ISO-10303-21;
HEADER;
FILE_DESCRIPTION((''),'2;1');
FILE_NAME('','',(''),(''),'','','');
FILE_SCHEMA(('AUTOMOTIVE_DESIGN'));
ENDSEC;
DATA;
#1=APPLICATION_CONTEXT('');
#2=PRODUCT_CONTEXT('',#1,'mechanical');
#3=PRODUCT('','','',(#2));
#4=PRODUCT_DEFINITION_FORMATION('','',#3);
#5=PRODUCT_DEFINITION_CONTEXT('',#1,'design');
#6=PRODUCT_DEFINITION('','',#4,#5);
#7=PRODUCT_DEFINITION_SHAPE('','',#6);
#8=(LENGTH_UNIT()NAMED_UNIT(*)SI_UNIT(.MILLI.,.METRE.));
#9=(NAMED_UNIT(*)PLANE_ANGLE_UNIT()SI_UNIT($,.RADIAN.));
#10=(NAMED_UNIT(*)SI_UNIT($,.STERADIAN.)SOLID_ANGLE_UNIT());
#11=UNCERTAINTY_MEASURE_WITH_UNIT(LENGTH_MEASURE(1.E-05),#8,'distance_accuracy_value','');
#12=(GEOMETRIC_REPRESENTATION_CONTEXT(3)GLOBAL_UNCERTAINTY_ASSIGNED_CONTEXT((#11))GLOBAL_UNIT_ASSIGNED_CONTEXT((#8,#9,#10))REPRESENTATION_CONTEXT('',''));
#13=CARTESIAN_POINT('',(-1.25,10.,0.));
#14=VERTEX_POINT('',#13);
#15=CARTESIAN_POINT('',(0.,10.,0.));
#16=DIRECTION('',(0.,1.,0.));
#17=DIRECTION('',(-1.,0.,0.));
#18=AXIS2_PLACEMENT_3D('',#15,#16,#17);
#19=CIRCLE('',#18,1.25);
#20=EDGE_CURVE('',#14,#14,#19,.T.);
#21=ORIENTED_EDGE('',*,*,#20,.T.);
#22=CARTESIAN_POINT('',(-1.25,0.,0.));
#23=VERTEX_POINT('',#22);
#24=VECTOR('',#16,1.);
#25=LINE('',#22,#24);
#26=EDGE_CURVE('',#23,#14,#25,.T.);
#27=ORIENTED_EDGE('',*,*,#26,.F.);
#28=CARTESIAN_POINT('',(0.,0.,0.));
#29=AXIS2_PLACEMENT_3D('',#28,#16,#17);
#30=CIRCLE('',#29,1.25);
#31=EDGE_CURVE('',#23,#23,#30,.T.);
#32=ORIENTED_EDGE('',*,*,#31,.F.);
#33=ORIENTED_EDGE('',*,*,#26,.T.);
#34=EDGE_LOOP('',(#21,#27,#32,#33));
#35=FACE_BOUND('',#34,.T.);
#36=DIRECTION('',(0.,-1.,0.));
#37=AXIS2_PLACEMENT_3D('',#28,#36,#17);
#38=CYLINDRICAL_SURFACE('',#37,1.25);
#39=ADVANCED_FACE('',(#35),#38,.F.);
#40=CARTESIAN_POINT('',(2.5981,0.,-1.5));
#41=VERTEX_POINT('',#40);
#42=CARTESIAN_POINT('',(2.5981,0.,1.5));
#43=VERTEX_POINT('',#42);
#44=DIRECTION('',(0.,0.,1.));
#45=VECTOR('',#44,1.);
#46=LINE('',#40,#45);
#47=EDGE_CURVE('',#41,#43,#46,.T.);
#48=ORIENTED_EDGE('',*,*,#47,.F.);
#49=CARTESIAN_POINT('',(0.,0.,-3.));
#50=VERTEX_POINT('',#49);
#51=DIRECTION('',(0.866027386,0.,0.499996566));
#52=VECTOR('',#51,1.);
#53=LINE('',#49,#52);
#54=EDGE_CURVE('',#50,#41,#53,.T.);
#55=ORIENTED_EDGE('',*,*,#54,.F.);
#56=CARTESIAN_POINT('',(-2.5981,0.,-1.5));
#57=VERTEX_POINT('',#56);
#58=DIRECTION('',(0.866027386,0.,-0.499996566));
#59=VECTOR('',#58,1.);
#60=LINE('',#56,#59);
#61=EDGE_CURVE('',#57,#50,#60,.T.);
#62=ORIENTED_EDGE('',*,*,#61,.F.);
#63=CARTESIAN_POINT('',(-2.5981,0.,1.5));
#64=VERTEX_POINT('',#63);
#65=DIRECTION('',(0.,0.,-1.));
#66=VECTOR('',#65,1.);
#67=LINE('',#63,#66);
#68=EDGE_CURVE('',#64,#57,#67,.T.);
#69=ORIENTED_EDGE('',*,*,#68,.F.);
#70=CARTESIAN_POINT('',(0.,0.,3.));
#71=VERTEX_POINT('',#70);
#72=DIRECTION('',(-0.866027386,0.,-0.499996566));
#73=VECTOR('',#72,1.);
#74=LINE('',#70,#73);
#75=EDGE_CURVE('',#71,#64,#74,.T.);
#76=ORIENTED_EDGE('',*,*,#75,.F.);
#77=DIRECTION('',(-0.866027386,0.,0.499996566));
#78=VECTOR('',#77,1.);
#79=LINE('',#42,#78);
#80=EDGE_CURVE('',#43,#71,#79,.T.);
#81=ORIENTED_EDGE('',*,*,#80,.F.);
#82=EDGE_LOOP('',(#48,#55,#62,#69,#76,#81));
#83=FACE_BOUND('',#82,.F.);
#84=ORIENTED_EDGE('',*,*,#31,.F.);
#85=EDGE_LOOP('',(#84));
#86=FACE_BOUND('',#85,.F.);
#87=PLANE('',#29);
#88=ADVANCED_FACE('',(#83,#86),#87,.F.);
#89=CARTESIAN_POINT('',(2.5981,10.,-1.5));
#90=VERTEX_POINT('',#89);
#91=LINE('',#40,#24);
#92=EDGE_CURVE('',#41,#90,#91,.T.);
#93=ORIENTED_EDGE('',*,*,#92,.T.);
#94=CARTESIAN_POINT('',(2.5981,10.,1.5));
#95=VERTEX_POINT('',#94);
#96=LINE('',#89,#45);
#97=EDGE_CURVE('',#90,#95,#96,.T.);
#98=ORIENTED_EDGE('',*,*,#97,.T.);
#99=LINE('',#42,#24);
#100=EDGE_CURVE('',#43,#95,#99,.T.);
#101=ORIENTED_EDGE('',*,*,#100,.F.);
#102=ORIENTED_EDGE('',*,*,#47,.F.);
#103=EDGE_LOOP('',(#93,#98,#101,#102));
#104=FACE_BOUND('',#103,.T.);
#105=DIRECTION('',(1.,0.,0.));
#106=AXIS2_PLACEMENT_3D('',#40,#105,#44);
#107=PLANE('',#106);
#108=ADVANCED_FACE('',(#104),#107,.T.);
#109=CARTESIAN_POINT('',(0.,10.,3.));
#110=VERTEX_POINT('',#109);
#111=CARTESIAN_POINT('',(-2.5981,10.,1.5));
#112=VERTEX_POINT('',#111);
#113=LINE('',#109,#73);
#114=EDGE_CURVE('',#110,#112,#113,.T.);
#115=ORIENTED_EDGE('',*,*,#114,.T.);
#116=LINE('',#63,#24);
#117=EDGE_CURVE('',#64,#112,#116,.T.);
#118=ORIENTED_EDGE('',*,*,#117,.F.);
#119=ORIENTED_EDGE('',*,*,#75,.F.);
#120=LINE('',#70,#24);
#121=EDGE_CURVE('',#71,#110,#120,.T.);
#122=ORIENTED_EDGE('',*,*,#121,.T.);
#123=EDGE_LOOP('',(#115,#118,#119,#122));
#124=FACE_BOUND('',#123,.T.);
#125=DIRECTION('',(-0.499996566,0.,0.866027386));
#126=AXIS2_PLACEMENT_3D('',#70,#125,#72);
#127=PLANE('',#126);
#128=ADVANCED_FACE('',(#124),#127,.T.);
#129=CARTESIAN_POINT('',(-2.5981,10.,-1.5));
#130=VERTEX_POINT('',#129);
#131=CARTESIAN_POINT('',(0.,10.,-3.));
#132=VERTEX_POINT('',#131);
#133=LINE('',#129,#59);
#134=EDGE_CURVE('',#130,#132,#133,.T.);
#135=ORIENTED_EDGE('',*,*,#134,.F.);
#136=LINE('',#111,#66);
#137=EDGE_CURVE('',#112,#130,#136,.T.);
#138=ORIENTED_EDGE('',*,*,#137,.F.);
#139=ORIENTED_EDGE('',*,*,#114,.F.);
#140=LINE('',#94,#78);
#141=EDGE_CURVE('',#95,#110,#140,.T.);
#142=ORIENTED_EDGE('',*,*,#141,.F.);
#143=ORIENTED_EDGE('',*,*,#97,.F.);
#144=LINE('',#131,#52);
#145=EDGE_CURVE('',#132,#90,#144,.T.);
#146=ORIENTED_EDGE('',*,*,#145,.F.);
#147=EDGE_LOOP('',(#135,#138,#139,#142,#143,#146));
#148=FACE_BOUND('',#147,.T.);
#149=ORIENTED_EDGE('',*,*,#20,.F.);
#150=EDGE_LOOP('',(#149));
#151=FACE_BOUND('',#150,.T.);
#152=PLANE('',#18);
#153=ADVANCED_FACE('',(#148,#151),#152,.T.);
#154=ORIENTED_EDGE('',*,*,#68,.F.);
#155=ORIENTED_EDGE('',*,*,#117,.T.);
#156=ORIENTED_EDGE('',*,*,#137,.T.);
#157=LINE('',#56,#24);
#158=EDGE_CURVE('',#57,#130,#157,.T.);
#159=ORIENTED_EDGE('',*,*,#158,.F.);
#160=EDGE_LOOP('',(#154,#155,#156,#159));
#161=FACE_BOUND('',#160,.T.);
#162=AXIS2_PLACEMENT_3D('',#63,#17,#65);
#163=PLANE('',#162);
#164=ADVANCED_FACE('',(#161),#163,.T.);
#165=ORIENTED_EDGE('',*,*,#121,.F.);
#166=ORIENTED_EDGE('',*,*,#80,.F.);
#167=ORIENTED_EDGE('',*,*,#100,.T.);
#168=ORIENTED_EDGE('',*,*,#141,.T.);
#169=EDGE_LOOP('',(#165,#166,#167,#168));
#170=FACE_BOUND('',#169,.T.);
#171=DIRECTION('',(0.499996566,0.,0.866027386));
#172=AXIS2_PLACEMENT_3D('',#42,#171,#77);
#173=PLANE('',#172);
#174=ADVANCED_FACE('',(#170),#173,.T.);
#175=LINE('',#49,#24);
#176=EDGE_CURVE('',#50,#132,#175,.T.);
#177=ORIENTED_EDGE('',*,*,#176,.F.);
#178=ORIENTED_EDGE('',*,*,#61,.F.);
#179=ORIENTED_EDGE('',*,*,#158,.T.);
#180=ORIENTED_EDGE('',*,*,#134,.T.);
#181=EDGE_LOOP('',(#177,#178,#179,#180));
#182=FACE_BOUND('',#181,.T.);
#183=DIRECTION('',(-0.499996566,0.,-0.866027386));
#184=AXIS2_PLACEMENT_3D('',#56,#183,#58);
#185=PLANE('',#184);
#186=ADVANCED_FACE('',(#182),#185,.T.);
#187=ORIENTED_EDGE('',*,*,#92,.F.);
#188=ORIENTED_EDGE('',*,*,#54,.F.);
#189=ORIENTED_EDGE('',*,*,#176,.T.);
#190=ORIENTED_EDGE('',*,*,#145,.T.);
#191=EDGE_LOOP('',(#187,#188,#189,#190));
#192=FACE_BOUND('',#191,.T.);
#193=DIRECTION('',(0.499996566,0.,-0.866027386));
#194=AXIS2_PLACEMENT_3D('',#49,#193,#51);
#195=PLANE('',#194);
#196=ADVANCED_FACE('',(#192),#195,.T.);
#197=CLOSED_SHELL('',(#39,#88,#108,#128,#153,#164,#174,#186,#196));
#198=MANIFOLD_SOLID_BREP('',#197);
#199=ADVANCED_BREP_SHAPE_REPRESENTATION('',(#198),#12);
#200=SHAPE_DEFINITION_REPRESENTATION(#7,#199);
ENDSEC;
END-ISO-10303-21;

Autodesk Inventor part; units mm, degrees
ref_plane "YZ Plane" through (0, 0, 0) normal (1, 0, 0) x (0, 1, 0)
ref_plane "XZ Plane" through (0, 0, 0) normal (0, 1, 0) x (-1, 0, 0)
ref_plane "XY Plane" through (0, 0, 0) normal (0, 0, 1) x (1, 0, 0)
sketch "Sketch1" plane through (0, 0, 0) normal (0, 1, 0) x (-1, 0, 0)
  circle A0 centre (0, 0) radius 1.25
  line L0 (0, -3) -> (-2.5981, -1.5)
  line L1 (-2.5981, -1.5) -> (-2.5981, 1.5)
  line L2 (-2.5981, 1.5) -> (0, 3)
  line L3 (0, 3) -> (2.5981, 1.5)
  line L4 (2.5981, 1.5) -> (2.5981, -1.5)
  line L5 (2.5981, -1.5) -> (0, -3)
  dimension "d0" = 2.5
extrude "Extrusion1" add sketch "Sketch1" along normal blind 10
properties part number "Standoff-Hex-10mm"
